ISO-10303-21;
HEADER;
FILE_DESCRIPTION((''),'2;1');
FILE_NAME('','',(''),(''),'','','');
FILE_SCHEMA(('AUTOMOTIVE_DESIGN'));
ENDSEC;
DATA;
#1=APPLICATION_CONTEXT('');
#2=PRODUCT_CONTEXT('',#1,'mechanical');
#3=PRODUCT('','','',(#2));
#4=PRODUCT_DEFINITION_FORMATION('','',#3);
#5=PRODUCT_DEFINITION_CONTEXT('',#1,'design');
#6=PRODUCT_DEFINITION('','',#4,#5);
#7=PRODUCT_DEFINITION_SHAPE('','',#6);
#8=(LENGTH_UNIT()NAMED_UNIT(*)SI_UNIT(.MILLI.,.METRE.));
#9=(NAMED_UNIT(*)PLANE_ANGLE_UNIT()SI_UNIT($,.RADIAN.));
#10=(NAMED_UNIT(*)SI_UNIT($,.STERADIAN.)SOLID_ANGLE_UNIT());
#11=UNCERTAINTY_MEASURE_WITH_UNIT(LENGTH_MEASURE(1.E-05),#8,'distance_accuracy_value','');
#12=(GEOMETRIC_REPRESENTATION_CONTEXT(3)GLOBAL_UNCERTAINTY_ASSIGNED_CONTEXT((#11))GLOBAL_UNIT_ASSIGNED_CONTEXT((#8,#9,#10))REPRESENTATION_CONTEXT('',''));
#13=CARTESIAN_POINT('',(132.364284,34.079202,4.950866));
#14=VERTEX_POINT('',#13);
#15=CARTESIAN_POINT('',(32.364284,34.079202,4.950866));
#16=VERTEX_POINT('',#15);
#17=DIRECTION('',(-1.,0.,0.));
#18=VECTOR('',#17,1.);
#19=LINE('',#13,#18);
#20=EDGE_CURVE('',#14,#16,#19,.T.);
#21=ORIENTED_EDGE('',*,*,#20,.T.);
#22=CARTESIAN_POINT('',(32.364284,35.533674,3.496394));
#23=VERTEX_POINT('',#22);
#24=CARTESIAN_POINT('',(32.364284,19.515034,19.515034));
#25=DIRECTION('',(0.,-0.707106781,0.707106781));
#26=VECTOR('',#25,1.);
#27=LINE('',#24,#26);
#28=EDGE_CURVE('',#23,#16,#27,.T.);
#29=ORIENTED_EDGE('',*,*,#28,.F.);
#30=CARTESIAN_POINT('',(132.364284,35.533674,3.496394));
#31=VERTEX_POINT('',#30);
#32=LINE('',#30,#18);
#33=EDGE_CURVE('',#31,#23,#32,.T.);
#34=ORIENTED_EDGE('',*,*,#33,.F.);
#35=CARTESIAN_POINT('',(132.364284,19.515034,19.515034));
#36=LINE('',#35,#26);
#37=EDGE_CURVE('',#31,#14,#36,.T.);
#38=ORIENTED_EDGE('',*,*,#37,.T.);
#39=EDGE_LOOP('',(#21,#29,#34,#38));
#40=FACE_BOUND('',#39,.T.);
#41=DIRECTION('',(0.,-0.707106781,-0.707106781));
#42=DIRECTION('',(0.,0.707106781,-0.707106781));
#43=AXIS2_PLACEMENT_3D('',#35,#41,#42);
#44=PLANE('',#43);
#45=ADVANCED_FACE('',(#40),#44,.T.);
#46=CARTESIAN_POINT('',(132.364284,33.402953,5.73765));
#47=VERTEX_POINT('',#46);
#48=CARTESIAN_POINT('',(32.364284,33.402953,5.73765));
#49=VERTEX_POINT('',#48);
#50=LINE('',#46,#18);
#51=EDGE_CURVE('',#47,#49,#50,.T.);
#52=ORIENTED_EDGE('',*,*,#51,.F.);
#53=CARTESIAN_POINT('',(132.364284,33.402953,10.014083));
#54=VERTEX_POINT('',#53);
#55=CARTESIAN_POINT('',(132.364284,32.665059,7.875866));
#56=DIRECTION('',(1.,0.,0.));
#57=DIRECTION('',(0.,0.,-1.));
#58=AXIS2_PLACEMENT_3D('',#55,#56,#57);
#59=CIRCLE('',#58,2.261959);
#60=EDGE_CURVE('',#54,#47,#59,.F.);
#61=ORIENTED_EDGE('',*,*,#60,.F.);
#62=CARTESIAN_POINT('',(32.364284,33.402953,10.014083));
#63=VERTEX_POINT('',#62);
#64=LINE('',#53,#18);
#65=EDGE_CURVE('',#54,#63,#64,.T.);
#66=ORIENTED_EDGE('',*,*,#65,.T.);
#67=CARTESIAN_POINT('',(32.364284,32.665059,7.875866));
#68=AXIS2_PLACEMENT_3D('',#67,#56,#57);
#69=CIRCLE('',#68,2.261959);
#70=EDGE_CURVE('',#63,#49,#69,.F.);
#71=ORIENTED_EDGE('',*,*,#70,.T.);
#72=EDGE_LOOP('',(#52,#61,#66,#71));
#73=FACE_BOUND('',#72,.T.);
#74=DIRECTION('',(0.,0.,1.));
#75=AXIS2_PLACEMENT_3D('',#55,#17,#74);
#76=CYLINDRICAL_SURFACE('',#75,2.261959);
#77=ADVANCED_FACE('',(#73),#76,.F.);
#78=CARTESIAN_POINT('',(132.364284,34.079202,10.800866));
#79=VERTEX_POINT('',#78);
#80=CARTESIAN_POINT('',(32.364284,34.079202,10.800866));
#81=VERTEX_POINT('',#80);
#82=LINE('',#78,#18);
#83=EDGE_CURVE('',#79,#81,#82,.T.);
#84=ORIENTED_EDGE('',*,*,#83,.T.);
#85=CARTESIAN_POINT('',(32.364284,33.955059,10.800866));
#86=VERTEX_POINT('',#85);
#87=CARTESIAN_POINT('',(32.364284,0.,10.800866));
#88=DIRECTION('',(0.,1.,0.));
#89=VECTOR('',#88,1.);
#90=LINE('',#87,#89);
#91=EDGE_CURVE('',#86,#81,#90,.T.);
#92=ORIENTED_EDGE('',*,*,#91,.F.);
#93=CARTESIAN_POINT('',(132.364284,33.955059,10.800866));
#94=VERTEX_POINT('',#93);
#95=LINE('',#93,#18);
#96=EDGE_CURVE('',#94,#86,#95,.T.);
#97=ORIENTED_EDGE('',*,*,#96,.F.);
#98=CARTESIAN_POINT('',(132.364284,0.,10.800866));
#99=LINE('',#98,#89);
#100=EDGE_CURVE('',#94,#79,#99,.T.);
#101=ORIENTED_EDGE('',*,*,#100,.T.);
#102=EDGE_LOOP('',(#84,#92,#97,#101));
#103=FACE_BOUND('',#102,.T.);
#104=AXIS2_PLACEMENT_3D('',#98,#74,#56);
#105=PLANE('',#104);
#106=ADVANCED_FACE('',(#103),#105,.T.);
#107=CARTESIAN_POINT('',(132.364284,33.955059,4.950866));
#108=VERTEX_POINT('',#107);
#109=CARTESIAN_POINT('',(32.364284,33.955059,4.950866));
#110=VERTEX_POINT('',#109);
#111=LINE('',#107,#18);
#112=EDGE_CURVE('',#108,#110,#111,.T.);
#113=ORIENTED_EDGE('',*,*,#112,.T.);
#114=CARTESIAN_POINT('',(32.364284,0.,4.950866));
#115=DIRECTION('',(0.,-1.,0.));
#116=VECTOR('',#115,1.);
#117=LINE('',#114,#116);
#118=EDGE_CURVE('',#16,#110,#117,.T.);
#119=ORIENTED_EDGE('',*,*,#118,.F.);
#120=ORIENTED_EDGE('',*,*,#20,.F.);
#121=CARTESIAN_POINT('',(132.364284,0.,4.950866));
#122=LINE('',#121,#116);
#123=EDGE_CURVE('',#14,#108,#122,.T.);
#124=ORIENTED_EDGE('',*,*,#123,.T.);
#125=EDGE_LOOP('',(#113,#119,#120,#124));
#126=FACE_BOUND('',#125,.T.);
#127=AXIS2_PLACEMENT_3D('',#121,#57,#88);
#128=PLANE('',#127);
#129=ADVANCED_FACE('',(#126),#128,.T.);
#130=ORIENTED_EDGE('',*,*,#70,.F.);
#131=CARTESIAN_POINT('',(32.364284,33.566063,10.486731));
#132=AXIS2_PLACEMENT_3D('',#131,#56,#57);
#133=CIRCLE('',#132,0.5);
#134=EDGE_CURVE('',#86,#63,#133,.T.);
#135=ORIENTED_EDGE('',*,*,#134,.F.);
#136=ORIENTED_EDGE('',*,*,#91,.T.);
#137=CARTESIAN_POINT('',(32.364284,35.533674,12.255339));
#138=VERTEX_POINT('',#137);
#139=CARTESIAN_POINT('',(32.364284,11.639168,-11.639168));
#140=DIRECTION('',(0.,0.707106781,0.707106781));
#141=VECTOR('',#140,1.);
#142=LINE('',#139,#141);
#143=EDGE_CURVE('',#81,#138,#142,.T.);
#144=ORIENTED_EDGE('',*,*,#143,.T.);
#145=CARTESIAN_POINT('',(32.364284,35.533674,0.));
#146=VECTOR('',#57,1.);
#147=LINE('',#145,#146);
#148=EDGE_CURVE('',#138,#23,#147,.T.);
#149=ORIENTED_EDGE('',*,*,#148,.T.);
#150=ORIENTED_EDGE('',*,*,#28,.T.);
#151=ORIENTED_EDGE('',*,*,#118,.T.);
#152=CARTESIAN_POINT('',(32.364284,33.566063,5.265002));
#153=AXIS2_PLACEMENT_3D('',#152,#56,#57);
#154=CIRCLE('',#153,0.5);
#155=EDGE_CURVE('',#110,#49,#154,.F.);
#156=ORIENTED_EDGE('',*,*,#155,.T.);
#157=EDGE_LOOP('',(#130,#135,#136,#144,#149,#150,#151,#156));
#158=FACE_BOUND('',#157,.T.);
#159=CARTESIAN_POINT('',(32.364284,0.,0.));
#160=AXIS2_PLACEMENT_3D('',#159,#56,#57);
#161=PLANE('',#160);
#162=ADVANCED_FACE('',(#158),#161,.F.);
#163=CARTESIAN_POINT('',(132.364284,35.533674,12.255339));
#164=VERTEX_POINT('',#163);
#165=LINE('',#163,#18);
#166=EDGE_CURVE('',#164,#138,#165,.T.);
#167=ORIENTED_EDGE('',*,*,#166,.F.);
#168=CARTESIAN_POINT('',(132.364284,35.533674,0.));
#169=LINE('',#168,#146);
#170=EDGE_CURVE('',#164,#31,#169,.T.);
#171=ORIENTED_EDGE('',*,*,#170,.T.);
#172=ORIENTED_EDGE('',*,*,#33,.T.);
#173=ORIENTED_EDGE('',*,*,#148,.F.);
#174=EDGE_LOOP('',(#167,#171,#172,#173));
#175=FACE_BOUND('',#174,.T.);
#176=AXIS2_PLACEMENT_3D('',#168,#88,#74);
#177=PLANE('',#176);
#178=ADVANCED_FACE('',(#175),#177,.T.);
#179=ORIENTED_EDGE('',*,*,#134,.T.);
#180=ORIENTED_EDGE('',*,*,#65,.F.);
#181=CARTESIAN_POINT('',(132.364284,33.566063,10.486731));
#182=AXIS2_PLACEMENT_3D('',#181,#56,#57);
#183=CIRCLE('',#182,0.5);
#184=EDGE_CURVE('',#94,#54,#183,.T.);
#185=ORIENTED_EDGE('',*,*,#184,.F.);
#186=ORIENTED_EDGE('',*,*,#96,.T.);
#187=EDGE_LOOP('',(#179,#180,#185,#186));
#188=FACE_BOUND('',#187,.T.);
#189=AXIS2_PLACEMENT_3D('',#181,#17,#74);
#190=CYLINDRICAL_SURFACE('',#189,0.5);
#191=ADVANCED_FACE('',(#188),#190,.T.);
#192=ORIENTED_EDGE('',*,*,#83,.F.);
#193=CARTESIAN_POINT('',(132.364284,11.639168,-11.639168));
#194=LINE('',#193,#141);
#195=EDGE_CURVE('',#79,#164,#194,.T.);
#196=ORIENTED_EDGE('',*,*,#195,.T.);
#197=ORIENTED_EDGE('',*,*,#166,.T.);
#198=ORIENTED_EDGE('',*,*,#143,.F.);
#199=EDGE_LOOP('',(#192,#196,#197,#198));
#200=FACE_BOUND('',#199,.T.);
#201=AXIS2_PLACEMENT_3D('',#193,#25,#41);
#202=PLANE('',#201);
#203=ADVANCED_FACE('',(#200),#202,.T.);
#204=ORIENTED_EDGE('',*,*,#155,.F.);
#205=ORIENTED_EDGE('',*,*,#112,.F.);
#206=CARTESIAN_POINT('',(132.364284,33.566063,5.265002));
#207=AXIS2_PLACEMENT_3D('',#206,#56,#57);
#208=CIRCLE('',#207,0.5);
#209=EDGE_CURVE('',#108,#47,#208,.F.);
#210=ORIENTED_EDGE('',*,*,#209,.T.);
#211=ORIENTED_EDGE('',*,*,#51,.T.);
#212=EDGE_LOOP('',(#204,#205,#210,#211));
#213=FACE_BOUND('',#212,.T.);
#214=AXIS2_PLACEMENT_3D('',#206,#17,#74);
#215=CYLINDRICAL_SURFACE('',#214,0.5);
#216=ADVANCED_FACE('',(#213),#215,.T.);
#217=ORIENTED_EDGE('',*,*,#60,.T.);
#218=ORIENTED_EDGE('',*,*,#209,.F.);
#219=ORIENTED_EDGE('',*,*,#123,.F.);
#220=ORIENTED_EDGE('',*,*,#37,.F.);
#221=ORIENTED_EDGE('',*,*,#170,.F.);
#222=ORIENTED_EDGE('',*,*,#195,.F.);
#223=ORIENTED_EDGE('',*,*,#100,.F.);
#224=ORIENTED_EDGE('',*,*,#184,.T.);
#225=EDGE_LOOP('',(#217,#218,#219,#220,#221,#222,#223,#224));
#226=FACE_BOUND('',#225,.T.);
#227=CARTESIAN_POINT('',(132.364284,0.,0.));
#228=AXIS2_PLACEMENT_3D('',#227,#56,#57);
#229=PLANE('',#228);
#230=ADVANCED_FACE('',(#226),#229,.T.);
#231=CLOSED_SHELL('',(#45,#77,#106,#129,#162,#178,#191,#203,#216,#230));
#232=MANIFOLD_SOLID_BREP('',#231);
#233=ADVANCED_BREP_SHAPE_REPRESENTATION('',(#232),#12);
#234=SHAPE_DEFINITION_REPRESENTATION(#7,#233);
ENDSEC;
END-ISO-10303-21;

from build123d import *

# Parameters (mm, degrees)
BOSS_EXTRUDE1_DEPTH = 100


with BuildPart() as part:
    # Sketch1 → Boss-Extrude1 (new body)
    with BuildSketch(Plane(origin=(32.364284334, 0, 0), x_dir=(0, 0, -1), z_dir=(1, 0, 0))):
        with BuildLine():
            ThreePointArc((-10.800866483, 33.955059464), (-10.773935743, 33.156778763), (-10.014083429, 33.402953098))
            ThreePointArc((-10.014083429, 33.402953098), (-7.875866483, 34.92701851), (-5.737649536, 33.402953098))
            ThreePointArc((-5.737649536, 33.402953098), (-4.977797222, 33.156778763), (-4.950866483, 33.955059464))
            Line((-4.950866483, 33.955059464), (-4.950866483, 34.079201599))
            Line((-4.950866483, 34.079201599), (-3.496394261, 35.533673821))
            Line((-3.496394261, 35.533673821), (-12.255338704, 35.533673821))
            Line((-12.255338704, 35.533673821), (-10.800866483, 34.079201599))
            Line((-10.800866483, 34.079201599), (-10.800866483, 33.955059464))
        make_face()
    extrude(amount=BOSS_EXTRUDE1_DEPTH)


solid = part.part
